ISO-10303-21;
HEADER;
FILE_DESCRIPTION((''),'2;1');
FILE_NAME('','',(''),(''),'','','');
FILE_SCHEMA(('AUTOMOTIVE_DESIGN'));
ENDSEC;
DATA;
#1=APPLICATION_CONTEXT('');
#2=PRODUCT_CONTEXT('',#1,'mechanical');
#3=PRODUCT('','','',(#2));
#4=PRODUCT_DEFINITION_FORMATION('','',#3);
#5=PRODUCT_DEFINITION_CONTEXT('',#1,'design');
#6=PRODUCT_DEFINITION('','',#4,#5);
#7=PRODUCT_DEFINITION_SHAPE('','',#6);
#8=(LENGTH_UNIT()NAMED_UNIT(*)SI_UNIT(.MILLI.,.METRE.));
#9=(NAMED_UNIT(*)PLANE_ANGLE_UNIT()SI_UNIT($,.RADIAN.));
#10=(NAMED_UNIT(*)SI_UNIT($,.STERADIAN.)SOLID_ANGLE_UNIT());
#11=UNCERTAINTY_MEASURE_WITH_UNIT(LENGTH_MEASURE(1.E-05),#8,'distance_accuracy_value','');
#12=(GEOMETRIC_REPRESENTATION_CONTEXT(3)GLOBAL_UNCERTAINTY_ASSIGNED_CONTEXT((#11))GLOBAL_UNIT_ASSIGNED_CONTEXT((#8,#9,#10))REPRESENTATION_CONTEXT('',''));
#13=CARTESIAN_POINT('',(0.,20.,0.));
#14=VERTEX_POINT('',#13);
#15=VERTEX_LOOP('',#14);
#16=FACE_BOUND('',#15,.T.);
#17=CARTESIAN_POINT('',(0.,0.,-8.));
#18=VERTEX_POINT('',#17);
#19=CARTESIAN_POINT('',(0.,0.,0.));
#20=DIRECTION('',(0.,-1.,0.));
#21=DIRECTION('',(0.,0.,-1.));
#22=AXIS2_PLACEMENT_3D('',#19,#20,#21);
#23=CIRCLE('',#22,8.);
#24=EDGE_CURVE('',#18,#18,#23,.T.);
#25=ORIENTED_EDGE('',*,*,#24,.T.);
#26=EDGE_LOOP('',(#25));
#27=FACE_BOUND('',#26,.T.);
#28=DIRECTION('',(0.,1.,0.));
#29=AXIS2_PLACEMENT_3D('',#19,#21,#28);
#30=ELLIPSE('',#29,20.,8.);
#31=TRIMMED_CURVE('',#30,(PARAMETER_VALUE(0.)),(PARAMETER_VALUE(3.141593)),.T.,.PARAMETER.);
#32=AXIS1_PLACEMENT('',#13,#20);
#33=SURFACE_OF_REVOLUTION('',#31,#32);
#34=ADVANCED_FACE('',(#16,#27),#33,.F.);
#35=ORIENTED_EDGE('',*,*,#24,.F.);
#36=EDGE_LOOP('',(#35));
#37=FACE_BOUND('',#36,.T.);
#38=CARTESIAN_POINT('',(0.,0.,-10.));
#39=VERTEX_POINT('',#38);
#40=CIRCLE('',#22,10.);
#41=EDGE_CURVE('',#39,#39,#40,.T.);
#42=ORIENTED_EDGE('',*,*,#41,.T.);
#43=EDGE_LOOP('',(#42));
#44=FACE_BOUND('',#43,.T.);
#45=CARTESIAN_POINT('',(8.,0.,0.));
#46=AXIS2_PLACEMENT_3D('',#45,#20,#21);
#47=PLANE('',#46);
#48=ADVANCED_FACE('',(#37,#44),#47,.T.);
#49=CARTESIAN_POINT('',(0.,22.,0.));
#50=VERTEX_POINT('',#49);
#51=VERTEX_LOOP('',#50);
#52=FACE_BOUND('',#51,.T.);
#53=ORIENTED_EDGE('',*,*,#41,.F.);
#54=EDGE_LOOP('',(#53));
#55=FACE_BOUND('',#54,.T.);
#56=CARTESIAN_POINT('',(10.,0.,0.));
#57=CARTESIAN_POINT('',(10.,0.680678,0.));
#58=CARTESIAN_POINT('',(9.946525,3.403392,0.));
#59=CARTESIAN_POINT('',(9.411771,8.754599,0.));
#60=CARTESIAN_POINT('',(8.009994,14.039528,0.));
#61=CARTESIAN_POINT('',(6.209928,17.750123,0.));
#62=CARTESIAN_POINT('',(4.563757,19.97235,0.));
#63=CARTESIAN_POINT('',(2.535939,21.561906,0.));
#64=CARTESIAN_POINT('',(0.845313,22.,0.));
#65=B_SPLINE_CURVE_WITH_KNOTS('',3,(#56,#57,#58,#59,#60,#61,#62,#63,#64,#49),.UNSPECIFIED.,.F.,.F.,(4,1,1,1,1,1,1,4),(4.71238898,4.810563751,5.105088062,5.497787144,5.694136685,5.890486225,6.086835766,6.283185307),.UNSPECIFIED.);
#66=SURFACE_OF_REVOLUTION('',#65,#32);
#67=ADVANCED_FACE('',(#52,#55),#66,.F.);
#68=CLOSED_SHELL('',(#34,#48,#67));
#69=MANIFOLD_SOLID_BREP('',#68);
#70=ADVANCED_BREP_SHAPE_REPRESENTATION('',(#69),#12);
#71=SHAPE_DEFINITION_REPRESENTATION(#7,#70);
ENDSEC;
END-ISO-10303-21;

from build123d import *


with BuildPart() as part:
    # Sketch1 → Revolve1 (revolve)
    with BuildSketch(Plane.XY):
        with BuildLine():
            Line((0, 20), (0, 22))
            add(Edge.make_bspline(
                [(10, 0), (10, 0.680678408), (9.946524655, 3.403392041), (9.411771204, 8.754599213), (8.009994319, 14.039528033), (6.209928282, 17.750123489), (4.563757399, 19.972349981), (2.535938929, 21.561905969), (0.845312976, 22), (0, 22)],
                knots=[4.71238898, 4.71238898, 4.71238898, 4.71238898, 4.810563751, 5.105088062, 5.497787144, 5.694136685, 5.890486225, 6.086835766, 6.283185307, 6.283185307, 6.283185307, 6.283185307], degree=3))
            Line((10, 0), (8, 0))
            add(Edge.make_bspline(
                [(8, 0), (8, 20), (0, 20)],
                knots=[4.71238898, 4.71238898, 4.71238898, 6.283185307, 6.283185307, 6.283185307], degree=2, weights=[1, 0.707106781, 1]))
        make_face()
    revolve(axis=Axis((0, 20, 0), (0, 1, 0)))


solid = part.part
